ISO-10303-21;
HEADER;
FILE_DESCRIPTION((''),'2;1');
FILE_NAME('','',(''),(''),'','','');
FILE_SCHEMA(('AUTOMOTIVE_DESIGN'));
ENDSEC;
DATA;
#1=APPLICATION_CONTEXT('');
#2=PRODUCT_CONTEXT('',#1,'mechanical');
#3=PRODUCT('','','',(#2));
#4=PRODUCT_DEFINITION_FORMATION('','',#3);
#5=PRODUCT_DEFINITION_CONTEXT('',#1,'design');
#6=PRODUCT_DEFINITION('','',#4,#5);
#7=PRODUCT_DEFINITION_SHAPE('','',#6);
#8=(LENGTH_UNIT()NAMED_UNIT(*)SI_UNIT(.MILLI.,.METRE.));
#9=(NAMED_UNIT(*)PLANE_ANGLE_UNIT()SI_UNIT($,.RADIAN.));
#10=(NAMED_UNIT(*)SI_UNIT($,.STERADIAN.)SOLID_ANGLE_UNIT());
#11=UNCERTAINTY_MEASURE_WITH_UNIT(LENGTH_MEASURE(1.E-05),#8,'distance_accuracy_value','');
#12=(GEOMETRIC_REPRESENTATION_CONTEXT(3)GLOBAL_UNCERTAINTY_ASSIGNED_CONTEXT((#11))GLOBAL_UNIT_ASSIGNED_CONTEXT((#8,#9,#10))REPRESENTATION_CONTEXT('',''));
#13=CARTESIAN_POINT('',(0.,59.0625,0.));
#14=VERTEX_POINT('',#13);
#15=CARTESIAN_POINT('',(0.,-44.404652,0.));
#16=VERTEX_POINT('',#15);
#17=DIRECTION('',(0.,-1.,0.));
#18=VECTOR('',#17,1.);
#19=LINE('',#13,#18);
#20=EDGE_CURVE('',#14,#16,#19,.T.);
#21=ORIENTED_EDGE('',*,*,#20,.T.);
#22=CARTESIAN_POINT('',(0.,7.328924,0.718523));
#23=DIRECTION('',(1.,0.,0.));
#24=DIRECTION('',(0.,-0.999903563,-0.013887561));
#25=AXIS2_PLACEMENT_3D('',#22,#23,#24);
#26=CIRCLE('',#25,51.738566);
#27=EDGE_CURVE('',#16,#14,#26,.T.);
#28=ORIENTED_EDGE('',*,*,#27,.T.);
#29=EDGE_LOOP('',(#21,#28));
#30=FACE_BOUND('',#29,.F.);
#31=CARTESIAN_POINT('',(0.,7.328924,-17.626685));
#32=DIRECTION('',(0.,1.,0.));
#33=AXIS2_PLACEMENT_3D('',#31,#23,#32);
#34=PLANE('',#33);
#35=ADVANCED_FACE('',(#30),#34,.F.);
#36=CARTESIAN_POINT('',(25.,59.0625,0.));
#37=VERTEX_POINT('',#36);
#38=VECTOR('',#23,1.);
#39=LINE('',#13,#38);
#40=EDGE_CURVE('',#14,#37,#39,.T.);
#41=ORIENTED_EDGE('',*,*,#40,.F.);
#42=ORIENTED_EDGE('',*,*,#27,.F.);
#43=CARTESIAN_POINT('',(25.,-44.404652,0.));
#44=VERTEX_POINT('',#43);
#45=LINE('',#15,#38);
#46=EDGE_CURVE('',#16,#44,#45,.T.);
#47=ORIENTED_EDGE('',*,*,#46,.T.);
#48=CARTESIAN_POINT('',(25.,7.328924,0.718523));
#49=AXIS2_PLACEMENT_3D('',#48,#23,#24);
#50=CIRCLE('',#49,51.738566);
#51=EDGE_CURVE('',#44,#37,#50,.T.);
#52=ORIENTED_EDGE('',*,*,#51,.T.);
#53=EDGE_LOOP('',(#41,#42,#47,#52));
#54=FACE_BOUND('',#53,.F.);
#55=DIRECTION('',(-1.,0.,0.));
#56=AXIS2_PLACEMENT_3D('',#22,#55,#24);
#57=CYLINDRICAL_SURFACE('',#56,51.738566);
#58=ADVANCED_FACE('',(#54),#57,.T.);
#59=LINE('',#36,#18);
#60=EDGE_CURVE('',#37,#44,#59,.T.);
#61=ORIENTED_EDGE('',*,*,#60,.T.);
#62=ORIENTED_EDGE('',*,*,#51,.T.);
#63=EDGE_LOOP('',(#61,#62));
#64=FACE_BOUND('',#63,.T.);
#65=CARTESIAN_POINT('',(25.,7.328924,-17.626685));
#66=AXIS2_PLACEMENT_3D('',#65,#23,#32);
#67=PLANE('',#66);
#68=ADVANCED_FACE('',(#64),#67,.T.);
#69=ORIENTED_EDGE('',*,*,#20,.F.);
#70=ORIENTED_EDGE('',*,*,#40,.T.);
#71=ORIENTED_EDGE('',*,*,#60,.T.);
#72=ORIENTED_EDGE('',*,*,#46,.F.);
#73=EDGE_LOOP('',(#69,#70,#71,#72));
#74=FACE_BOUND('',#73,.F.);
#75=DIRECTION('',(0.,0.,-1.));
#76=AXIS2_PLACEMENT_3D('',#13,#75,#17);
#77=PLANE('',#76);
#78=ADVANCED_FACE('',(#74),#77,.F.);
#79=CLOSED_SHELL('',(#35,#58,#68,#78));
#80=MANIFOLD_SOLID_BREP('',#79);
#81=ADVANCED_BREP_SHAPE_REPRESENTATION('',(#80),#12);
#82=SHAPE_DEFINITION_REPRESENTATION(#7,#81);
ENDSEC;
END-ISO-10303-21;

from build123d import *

# Parameters (mm, degrees)
F1_DEPTH = 25


with BuildPart() as f1:
    # F0 (on Right) → F1 (new body)
    with BuildSketch(Plane.YZ):
        with BuildLine():
            Line((-5.89188, 0), (-44.404652, 0))
            ThreePointArc((-44.404652, 0), (7.328924, -51.020043), (59.0625, 0))
            Line((59.0625, 0), (-5.89188, 0))
        make_face()
    extrude(amount=F1_DEPTH)


solid = f1.part
